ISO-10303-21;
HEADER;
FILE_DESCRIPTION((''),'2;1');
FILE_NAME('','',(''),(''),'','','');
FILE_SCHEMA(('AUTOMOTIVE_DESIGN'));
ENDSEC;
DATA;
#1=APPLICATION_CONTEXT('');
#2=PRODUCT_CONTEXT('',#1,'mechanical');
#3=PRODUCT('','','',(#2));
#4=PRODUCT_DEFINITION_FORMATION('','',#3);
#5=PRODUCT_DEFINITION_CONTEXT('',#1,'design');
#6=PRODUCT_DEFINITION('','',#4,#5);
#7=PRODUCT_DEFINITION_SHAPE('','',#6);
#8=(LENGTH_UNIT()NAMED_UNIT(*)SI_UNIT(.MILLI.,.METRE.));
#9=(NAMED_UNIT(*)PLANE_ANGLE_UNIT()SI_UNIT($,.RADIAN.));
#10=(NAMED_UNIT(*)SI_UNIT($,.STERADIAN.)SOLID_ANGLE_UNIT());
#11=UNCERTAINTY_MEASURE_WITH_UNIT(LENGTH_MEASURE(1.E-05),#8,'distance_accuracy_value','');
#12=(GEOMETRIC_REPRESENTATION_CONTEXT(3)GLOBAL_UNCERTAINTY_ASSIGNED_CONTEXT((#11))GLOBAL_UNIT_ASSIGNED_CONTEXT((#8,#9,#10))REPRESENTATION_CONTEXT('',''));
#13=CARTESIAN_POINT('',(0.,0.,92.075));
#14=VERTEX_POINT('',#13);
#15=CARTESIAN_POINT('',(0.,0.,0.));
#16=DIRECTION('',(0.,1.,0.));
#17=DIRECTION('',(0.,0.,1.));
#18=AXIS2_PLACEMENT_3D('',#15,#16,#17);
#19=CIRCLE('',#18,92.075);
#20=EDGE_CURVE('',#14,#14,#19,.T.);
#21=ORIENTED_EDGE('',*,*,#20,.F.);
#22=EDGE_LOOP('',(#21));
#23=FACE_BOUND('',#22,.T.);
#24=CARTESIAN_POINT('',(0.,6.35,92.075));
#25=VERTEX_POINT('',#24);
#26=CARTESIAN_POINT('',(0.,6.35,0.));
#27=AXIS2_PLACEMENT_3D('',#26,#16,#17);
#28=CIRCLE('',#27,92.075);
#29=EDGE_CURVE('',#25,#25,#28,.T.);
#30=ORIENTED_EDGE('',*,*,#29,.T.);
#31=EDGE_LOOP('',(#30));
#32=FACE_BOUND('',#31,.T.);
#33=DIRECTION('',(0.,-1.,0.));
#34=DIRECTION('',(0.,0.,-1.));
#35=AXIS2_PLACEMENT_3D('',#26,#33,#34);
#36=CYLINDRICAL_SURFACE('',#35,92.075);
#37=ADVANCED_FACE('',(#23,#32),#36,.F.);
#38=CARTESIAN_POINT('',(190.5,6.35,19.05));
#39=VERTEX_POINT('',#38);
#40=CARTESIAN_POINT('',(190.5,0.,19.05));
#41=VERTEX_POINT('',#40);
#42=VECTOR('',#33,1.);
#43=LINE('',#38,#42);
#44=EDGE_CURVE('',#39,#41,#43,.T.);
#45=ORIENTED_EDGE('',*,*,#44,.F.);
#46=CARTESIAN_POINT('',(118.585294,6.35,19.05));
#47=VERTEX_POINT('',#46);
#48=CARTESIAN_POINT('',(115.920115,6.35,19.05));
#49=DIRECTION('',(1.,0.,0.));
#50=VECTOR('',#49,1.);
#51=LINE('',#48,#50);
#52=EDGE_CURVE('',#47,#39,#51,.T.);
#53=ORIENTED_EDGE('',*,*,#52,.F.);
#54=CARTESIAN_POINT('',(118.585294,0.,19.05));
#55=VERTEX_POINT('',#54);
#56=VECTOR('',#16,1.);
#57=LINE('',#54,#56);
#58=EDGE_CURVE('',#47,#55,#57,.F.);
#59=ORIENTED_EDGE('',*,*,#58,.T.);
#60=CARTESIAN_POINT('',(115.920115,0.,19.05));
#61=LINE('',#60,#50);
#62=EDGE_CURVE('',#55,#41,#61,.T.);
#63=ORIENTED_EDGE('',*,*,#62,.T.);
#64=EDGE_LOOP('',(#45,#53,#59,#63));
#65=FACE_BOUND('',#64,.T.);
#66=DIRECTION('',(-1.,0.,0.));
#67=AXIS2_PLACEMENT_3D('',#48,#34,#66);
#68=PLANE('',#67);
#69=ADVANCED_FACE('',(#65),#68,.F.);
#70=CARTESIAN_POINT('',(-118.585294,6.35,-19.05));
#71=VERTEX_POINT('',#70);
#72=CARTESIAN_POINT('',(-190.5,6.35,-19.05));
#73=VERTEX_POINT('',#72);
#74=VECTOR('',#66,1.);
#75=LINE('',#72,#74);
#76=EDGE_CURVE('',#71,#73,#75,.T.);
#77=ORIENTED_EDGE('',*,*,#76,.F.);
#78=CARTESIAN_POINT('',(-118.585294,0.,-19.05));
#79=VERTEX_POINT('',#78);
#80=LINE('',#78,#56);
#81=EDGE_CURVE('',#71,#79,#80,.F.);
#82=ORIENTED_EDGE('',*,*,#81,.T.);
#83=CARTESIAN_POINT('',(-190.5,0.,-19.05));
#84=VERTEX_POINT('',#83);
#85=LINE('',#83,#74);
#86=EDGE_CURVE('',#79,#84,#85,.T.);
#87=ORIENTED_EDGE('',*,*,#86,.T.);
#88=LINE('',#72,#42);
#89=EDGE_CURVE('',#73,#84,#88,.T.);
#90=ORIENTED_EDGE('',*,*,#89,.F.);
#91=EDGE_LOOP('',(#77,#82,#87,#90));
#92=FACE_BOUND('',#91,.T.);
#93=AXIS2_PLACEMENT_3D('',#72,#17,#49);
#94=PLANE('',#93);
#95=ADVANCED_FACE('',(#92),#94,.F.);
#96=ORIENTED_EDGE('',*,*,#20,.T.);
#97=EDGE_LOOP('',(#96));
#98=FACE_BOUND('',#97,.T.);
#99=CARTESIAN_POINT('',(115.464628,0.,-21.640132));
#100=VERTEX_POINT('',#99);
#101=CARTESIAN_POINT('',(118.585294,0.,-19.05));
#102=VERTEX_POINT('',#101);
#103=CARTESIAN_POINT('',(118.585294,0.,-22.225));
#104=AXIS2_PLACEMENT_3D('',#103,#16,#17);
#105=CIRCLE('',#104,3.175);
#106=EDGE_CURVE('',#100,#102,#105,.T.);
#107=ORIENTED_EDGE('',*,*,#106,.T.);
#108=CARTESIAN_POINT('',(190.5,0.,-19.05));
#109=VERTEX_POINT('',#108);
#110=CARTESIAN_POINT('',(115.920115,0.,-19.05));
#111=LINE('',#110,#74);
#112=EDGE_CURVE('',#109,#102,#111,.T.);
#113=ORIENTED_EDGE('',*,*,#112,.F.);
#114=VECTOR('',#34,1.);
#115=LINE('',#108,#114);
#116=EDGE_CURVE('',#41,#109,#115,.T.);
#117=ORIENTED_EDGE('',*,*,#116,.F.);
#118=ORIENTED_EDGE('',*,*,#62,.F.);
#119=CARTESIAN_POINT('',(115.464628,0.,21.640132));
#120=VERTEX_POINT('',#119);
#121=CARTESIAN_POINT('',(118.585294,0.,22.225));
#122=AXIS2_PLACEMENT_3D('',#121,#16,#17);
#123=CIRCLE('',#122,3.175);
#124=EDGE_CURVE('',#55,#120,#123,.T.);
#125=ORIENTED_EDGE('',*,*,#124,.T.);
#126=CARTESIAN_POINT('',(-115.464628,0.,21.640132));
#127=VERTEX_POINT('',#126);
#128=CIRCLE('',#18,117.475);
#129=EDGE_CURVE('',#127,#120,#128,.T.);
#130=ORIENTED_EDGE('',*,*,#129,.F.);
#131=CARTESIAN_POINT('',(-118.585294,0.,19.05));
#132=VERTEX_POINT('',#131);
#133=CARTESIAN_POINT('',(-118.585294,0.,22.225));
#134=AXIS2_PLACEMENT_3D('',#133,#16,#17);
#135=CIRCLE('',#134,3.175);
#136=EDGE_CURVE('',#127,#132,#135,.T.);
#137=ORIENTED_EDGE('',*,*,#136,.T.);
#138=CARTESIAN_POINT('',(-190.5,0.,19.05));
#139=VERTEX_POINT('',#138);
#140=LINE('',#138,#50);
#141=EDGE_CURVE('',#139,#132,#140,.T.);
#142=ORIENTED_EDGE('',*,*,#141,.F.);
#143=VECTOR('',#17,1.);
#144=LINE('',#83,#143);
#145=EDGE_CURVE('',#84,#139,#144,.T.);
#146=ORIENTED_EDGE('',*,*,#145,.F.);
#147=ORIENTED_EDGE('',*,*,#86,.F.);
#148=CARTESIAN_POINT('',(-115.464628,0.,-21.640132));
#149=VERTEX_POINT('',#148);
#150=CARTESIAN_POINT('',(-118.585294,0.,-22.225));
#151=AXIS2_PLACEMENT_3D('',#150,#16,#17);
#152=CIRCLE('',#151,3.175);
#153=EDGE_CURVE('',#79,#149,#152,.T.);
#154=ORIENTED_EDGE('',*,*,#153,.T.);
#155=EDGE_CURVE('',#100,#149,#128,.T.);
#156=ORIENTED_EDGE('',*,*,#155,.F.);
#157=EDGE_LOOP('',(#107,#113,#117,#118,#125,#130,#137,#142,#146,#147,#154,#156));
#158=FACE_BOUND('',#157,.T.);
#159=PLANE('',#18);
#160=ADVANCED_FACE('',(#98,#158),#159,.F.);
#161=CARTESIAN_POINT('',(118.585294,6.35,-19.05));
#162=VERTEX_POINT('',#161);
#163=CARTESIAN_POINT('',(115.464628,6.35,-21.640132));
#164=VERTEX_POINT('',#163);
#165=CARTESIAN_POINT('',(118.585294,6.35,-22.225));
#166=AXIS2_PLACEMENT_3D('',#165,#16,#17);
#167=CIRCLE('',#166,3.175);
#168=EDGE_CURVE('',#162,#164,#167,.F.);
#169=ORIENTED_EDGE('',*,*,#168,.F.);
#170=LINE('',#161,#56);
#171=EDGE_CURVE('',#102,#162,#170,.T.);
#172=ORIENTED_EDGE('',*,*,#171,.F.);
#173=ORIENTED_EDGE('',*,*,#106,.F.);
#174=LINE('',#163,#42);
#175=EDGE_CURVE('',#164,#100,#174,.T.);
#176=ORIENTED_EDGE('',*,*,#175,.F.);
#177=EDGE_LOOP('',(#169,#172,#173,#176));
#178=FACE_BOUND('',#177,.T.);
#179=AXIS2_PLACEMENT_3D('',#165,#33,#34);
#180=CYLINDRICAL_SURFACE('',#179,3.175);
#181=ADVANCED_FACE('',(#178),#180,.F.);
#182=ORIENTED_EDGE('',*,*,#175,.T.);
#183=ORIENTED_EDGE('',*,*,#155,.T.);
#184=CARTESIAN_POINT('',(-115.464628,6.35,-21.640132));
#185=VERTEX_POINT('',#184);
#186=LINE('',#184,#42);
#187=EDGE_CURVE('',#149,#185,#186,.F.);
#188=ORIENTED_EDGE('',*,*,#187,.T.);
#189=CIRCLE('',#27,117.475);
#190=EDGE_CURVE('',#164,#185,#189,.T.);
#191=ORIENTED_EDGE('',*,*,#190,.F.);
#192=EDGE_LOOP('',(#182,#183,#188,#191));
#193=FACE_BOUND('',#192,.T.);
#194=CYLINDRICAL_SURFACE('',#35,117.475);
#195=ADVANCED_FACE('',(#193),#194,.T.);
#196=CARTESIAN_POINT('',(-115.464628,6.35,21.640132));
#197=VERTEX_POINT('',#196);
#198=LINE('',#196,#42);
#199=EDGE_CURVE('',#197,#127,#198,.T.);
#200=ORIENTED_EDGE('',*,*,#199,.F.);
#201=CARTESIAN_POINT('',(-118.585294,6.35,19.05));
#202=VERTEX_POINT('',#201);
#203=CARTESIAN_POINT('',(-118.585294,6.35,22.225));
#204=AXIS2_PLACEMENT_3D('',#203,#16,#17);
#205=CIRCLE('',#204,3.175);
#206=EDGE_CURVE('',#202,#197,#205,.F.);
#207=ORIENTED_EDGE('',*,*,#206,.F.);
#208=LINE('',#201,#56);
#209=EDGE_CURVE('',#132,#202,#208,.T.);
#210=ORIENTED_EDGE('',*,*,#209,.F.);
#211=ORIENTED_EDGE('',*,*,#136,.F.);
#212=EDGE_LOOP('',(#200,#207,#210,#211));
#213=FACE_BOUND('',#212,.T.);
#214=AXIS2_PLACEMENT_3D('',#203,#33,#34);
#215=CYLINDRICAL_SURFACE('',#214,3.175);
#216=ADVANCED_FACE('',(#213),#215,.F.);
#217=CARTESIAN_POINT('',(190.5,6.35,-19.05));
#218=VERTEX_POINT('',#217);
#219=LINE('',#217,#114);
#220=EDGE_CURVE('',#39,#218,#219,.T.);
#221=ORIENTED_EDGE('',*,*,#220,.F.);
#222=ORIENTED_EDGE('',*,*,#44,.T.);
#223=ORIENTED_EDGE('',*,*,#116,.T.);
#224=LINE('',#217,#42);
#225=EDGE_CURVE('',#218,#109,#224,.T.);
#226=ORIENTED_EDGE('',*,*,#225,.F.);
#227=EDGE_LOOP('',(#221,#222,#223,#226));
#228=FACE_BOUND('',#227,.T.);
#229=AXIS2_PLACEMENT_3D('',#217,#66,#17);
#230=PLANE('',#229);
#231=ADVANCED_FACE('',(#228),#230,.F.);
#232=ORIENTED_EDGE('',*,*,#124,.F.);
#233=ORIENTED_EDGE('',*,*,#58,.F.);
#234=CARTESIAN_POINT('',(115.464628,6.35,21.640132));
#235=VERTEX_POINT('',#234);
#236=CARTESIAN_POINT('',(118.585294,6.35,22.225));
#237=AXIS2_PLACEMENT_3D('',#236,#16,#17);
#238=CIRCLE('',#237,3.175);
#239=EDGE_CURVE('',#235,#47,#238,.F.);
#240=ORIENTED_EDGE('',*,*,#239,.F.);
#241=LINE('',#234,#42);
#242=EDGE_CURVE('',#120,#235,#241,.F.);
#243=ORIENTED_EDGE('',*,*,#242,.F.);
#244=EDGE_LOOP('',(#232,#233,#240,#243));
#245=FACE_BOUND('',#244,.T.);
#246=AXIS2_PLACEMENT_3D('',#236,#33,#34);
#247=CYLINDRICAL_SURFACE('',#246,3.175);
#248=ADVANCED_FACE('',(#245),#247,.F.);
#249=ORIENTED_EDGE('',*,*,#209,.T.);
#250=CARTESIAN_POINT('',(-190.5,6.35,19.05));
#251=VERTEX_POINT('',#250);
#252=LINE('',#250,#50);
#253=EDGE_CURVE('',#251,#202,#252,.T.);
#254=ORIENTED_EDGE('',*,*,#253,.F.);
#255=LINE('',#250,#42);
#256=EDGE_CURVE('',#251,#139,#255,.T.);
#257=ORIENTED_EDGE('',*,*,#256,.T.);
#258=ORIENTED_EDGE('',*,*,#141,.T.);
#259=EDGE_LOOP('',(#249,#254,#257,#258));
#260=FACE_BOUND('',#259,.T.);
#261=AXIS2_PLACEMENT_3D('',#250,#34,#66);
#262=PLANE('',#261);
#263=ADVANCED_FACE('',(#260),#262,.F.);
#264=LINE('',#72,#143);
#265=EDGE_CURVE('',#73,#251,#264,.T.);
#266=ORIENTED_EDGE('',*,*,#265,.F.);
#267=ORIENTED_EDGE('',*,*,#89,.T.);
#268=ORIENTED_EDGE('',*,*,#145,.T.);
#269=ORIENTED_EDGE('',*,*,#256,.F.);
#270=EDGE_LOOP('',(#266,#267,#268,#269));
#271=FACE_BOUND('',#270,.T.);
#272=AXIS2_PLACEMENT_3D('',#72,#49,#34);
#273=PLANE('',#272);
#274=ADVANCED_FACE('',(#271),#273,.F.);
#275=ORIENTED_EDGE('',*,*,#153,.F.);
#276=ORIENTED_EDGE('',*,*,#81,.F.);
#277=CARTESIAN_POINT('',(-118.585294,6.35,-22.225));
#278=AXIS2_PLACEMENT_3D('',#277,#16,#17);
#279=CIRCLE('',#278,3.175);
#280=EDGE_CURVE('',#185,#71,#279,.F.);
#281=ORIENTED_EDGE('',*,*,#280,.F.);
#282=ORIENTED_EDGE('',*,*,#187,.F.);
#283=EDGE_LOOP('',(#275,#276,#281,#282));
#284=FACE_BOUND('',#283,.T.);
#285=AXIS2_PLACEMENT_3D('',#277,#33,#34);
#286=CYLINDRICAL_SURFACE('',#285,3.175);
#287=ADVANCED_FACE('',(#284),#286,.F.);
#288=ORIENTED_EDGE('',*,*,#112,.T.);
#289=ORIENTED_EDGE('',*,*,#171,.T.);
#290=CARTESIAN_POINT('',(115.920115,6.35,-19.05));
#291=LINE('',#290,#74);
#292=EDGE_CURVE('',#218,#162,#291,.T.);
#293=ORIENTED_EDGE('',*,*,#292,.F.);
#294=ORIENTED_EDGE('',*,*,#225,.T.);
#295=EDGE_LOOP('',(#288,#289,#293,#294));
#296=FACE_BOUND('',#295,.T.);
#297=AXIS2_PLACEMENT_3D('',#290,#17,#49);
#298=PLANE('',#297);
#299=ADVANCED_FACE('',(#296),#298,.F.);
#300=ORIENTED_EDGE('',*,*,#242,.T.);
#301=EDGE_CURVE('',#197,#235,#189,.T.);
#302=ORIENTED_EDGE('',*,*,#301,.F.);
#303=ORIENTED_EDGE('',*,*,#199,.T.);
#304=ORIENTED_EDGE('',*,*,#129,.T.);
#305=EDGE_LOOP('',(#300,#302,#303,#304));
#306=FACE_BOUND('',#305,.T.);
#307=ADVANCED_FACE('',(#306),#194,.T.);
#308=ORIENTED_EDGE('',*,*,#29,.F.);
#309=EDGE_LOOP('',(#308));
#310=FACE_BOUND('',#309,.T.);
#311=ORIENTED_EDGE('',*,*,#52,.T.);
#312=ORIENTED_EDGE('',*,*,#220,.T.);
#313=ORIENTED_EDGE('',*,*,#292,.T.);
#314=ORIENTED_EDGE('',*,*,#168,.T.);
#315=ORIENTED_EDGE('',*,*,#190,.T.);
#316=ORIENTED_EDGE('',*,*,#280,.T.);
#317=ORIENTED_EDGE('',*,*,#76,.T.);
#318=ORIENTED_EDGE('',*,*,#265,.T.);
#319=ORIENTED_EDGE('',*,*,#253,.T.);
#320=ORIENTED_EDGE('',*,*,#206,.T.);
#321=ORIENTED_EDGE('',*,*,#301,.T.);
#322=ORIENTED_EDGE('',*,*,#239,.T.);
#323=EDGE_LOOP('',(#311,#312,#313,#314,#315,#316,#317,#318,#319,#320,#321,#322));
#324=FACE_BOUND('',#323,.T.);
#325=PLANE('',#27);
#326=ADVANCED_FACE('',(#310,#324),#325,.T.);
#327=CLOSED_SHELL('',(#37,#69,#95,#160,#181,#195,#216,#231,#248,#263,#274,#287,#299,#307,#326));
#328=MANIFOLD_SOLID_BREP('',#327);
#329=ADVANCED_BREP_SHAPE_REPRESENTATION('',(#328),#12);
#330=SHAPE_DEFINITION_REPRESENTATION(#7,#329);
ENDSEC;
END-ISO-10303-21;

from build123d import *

# Parameters (mm, degrees)
SKETCH1_R           = 92.075
BOSS_EXTRUDE1_DEPTH = 6.35
FILLET1_R           = 3.175


with BuildPart() as part:
    # Sketch1 → Boss-Extrude1 (new body)
    with BuildSketch(Plane(origin=(0, 0, 0), x_dir=(1, 0, 0), z_dir=(0, 1, 0))):
        with BuildLine():
            Line((115.920115273, 19.05), (190.5, 19.05))
            Line((190.5, 19.05), (190.5, -19.05))
            Line((190.5, -19.05), (115.920115273, -19.05))
            ThreePointArc((115.920115273, -19.05), (0, -117.475), (-115.920115273, -19.05))
            Line((-115.920115273, -19.05), (-190.5, -19.05))
            Line((-190.5, -19.05), (-190.5, 19.05))
            Line((-190.5, 19.05), (-115.920115273, 19.05))
            ThreePointArc((-115.920115273, 19.05), (0, 117.475), (115.920115273, 19.05))
        make_face()
        with Locations(Location((0, 0, 0), (0, 0, 270))):  # turned: the seam where the file's is
            Circle(SKETCH1_R, mode=Mode.SUBTRACT)
    extrude(amount=BOSS_EXTRUDE1_DEPTH)

    # Fillet1
    fillet1_edges = [part.edges().sort_by_distance(p)[0] for p in [
        (115.920115273, 3.175, 19.05),
        (-115.920115273, 3.175, 19.05),
        (-115.920115273, 3.175, -19.05),
        (115.920115273, 3.175, -19.05),
    ]]
    fillet(fillet1_edges, radius=FILLET1_R)


solid = part.part
